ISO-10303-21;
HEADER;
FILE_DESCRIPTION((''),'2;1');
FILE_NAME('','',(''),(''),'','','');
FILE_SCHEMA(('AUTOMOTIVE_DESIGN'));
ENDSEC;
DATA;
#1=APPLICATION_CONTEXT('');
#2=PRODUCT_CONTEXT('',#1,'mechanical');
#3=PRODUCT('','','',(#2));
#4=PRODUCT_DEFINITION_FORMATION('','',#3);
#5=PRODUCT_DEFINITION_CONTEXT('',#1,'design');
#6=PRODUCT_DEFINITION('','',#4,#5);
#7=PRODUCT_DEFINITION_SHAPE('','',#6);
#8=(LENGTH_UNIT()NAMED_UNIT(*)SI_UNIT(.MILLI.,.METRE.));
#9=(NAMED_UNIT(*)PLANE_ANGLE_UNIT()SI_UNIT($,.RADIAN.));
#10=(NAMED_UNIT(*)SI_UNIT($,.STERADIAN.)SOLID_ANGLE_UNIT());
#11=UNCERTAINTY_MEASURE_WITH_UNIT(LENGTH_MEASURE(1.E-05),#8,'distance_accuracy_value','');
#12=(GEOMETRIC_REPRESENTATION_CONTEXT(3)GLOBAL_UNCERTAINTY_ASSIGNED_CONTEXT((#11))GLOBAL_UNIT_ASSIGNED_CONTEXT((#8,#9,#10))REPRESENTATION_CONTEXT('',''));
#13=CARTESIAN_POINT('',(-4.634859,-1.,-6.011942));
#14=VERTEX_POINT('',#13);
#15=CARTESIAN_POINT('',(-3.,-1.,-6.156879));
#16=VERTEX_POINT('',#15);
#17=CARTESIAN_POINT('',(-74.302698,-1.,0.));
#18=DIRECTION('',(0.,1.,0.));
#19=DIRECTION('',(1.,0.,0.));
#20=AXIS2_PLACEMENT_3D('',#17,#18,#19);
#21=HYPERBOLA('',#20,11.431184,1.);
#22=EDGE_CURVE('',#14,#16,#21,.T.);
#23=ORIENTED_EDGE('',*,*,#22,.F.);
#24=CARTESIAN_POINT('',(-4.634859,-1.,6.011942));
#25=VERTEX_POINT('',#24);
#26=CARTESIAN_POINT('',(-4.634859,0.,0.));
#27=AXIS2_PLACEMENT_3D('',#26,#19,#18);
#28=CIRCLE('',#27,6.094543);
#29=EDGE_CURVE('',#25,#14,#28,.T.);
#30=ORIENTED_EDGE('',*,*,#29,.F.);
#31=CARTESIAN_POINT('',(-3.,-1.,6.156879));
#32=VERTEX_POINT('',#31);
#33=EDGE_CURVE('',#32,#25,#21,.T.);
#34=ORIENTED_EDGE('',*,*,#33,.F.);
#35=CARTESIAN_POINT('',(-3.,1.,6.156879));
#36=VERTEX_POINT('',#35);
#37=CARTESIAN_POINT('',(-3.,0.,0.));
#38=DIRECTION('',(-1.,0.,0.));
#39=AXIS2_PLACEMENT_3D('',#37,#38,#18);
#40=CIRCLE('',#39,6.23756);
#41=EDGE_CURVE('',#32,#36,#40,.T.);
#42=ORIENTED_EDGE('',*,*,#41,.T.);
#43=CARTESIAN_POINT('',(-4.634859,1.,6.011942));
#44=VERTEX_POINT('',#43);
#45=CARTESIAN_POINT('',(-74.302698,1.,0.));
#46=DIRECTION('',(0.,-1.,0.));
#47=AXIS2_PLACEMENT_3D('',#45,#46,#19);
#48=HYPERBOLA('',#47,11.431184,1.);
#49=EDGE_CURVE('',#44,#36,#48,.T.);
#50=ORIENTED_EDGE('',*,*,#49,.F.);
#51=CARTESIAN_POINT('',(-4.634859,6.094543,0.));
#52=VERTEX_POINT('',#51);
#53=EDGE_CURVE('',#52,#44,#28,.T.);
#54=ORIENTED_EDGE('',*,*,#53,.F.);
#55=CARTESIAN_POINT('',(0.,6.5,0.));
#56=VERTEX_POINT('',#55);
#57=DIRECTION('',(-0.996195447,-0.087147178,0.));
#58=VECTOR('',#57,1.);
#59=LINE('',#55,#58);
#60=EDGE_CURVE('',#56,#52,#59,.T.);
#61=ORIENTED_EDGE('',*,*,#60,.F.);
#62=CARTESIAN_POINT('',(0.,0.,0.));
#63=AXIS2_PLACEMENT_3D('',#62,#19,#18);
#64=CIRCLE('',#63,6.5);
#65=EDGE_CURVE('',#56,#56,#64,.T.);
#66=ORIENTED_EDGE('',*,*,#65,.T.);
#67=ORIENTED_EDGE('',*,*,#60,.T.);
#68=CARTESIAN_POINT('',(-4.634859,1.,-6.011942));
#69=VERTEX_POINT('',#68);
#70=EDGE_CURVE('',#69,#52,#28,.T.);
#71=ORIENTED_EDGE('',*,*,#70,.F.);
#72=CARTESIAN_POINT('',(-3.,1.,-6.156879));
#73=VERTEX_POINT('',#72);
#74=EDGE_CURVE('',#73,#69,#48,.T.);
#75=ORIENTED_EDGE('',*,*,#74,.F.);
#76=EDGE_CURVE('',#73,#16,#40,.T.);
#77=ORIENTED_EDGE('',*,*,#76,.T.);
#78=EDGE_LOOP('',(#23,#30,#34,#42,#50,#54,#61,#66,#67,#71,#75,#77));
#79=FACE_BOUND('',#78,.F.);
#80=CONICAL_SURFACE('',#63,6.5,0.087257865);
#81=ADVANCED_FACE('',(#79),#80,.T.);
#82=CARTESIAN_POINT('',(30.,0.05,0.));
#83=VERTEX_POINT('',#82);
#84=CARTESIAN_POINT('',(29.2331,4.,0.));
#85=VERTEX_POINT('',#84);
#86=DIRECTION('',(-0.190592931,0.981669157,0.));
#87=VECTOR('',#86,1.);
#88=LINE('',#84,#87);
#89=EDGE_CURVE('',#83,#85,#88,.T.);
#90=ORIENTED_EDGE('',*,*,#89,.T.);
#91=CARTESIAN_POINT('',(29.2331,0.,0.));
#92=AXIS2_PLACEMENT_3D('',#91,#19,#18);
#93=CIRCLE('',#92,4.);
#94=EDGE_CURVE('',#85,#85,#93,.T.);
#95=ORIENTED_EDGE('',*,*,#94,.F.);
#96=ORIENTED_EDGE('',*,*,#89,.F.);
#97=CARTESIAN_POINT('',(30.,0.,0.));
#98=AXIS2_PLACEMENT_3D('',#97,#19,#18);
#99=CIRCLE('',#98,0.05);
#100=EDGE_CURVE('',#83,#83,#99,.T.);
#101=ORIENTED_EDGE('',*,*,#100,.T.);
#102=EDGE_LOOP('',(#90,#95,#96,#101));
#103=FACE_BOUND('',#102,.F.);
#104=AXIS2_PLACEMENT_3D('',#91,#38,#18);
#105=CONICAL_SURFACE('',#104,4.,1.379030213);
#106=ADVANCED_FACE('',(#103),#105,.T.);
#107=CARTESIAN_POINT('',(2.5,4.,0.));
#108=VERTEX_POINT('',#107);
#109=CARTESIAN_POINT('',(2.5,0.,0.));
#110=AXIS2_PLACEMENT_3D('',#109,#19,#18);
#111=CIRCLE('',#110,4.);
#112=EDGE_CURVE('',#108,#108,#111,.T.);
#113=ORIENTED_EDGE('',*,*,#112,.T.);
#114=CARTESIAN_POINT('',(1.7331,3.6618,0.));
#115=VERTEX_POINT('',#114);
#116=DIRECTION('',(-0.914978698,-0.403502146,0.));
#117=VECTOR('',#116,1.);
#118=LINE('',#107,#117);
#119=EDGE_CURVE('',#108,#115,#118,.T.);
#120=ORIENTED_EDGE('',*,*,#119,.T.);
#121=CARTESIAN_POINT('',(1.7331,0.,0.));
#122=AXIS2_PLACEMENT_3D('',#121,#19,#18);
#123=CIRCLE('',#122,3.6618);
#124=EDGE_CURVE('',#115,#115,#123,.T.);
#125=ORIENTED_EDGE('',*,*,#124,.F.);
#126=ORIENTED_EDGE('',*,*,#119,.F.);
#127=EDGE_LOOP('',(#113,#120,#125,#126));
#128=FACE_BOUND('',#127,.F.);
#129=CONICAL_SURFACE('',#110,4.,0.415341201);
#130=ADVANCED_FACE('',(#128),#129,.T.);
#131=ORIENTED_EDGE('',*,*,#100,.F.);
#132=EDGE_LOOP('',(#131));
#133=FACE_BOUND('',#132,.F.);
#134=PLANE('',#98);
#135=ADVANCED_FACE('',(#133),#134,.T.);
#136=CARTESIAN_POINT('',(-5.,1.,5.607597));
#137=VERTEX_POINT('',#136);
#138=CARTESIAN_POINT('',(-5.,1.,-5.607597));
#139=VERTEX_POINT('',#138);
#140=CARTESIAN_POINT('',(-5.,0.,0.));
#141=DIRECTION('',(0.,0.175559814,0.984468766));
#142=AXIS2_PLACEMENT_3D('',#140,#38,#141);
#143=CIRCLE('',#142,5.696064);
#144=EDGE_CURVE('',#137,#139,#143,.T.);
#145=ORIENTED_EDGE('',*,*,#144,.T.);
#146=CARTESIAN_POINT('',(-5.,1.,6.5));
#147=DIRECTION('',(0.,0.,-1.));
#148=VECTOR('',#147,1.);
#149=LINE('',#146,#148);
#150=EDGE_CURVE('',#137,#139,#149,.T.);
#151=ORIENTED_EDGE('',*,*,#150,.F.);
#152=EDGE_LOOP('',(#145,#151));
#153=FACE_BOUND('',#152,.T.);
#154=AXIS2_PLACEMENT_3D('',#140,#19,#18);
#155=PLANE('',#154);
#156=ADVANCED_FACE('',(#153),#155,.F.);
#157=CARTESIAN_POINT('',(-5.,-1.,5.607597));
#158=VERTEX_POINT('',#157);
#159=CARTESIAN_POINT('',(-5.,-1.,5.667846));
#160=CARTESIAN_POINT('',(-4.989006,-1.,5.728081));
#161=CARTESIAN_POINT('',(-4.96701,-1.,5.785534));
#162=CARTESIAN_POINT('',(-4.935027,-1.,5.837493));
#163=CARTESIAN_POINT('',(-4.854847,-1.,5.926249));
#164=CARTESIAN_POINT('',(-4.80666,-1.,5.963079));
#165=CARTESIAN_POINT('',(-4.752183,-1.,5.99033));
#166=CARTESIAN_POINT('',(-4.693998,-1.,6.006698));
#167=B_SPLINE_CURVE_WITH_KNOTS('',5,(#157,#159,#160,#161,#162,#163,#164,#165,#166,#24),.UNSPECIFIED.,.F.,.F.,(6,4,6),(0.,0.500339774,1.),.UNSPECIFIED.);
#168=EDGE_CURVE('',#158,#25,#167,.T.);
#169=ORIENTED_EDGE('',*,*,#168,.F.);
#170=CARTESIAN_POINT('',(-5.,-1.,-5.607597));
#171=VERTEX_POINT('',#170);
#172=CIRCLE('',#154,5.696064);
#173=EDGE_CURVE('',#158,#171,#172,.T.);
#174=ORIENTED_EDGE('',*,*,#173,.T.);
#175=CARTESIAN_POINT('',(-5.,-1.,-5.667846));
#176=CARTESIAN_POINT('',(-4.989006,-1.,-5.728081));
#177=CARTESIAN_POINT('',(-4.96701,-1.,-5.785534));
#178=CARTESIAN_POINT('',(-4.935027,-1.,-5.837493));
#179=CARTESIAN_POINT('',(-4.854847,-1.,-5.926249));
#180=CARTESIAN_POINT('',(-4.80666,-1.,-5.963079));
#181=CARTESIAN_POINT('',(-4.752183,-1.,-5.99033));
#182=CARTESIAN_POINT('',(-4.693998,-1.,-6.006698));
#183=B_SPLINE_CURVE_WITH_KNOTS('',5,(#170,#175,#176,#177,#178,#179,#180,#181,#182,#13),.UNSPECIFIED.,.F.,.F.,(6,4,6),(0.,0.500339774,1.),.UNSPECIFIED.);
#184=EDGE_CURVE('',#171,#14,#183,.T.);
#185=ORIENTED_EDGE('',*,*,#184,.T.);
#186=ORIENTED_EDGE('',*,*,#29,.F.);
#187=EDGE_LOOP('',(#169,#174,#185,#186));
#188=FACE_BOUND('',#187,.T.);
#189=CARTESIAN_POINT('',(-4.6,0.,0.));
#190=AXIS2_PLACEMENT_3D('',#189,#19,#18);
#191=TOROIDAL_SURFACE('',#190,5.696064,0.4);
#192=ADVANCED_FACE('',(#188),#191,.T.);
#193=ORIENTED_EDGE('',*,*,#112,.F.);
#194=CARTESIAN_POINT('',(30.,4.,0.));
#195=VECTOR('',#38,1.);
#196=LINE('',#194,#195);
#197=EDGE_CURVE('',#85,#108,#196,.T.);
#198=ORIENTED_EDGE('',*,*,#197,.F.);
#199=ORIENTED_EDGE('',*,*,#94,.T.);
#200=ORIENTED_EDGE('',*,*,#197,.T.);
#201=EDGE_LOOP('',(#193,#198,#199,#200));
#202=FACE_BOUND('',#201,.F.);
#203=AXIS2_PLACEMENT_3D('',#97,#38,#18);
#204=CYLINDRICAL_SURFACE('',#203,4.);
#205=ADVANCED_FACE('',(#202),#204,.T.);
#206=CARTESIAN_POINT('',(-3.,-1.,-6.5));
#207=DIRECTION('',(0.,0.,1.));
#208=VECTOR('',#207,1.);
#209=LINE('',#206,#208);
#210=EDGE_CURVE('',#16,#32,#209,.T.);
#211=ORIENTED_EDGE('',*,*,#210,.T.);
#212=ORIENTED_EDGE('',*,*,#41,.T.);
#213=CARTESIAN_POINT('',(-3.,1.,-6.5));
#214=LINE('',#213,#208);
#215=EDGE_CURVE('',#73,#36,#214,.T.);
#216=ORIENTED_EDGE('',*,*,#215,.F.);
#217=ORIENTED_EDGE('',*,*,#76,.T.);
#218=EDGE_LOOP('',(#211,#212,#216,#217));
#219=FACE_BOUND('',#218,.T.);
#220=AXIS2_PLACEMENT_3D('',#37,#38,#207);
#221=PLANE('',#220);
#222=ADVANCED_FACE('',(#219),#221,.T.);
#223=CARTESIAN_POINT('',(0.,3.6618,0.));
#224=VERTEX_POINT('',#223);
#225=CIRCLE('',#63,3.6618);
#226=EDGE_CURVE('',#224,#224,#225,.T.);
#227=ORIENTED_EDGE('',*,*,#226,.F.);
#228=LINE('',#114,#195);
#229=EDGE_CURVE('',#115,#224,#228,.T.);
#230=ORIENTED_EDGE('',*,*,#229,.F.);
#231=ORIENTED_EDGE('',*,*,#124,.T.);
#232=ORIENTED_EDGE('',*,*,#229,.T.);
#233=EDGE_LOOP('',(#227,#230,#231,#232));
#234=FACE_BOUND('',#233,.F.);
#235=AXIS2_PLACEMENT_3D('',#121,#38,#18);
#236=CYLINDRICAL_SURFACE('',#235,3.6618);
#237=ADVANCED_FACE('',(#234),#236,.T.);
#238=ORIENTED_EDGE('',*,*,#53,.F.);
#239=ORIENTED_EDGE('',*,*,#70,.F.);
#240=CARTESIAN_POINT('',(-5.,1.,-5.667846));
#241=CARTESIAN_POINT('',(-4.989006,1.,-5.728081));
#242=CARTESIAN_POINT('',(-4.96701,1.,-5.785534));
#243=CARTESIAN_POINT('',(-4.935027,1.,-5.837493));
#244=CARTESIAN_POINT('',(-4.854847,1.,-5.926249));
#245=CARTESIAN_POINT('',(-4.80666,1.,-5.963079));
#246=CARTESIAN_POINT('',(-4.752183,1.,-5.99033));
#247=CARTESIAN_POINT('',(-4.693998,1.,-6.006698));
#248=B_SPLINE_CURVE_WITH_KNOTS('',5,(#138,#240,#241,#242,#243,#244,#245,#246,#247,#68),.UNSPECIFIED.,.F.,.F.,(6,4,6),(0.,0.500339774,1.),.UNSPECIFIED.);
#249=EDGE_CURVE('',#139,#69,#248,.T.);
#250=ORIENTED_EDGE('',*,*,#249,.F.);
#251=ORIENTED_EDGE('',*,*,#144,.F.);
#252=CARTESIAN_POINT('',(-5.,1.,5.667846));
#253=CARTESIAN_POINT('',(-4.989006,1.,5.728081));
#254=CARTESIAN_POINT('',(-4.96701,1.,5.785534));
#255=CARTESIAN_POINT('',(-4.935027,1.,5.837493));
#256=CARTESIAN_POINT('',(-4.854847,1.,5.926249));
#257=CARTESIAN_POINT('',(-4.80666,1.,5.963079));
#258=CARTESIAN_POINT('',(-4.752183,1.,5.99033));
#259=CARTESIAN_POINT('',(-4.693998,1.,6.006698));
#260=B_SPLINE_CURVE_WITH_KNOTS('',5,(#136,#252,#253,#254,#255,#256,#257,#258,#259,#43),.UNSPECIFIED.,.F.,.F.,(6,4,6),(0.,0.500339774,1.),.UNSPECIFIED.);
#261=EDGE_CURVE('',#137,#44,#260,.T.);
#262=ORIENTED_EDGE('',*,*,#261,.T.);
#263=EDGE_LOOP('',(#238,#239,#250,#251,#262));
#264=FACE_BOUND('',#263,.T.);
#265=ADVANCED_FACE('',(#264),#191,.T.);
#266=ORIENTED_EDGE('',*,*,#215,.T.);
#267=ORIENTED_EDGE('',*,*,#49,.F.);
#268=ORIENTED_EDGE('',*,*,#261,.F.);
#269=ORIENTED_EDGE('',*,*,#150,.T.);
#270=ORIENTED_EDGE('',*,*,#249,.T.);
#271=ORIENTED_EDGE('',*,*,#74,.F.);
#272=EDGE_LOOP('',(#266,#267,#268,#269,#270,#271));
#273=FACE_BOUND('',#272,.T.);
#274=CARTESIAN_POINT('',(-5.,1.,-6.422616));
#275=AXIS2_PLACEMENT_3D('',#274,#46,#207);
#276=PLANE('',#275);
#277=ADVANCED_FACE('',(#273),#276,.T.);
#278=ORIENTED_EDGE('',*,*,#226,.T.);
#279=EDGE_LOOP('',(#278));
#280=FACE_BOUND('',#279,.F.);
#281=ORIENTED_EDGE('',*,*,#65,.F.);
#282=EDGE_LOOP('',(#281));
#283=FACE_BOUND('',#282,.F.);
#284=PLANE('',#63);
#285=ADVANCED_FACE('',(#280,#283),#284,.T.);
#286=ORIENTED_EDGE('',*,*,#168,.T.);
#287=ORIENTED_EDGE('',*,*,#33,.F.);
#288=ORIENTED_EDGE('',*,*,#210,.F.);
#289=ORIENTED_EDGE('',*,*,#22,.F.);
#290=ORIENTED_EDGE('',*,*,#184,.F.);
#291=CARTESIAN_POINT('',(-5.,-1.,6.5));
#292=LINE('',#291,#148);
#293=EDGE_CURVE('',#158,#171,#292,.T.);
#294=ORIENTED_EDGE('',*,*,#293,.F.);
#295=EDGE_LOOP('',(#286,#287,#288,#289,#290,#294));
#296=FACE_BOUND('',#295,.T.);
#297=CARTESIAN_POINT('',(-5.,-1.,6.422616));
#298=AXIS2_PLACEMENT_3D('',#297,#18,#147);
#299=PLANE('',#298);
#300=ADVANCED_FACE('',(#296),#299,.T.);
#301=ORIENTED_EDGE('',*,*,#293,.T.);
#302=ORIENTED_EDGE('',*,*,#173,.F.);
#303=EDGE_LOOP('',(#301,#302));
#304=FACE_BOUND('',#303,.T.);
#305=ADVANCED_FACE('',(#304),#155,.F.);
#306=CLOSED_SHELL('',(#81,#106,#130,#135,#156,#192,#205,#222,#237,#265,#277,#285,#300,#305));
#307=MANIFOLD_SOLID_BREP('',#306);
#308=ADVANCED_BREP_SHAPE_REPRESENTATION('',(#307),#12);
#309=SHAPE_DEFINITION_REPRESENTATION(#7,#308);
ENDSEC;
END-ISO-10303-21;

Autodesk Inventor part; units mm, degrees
ref_plane "YZ Plane" through (0, 0, 0) normal (1, 0, 0) x (0, 1, 0)
ref_plane "XZ Plane" through (0, 0, 0) normal (0, 1, 0) x (-1, 0, 0)
sketch "Schizzo1" plane through (0, 0, 0) normal (0, 0, 1) x (1, 0, 0)
  line L0 (-5, 0) -> (30, 0)
  line L1 (30, 0) -> (30, 4)
  line L2 (30, 4) -> (2.5, 4)
  line L3 (2.5, 4) -> (1.7331, 3.6618)
  line L4 (1.7331, 3.6618) -> (0, 3.6618)
  line L5 (0, 3.6618) -> (0, 6.5)
  line L6 (-12, 0) -> (37, 0) projected
  line L7 (0, -1.3) -> (0, 7.8) projected
  line L8 (-5, 0) -> (-5, 6.0626)
  line L9 (0, 6.5) -> (-5, 6.0626)
  line L10 (2.5, 4) -> (0, 4) construction
  dimension "d0" = 30
  dimension "d1" = 27.5
  dimension "d2" = 0.7669
  dimension "d3" = 5
  dimension "d4" = 8
  dimension "d5" = 7.3235
  dimension "d9" = 13
  dimension "d10" = 5
revolve "Corpo" add sketch "Schizzo1" angle 360 about axis through (-5, 0, 0) along (1, 0, 0)
sketch "Schizzo2" plane through (-5, 0, 0) normal (-1, 0, 0) x (0, 0, 1)
  circle A0 centre (0, 0) radius 6.5 projected
  line L0 (0, 0) -> (0, 6.0626) projected
  line L1 (-6.5, 1) -> (6.5, 1)
  line L2 (6.5, 1) -> (6.5, -1)
  line L3 (6.5, -1) -> (-6.5, -1)
  line L4 (-6.5, -1) -> (-6.5, 1)
  line L5 (-6.5, 0) -> (6.5, 0) construction
  line L6 (0, 1) -> (0, -1) construction
  dimension "d11" = 2
  dimension "d12" = 13
fillet "Raccordo1" radius 0.4 1 edges at (-5, -6.0626, 0)
extrude "Intaglio" cut sketch "Schizzo2" against normal blind 2 contours A0 L3 L1 | L2 L3 A0 | A0 L1 L2 | A0 L4 L1 | L3 L4 A0
thread "Filettatura" size "M8x1.25" class "6g" standard "ISO Metric profile" length 27.5
chamfer "Smusso1" distance 3.95 distance2 0.7669 1 edges at (30, -4, 0) measured on face at (30, 0.998, 0.8842)
ref_plane "Work Plane1" through (30.1625, 0, 0) normal (0, 0, -1) x (1, 0, 0)
equation "\"d11\" = SBR"
equation "\"d12\" = KOD"
equation "\"d14\" = RR"
equation "\"d19\" = STI"
equation "\"d15\" = GEL"
equation "\"d17\" = -0.5 * SPD + 0.5 * GD"
equation "\"d0\" = NLG"
equation "\"d1\" = GEL"
equation "\"d3\" = KOH"
equation "\"d4\" = GD"
equation "\"d5\" = BDM"
equation "\"d9\" = KOD"
equation "\"d10\" = KEWI"
equation "\"GD\" = NND"
equation "\"NLG\" = 30"
equation "\"GEL\" = 27.5"
equation "\"KOD\" = 13"
equation "\"KOH\" = 5"
equation "\"GAL\" = 0.61345 * PTC"
equation "\"SPD\" = 0.1"
equation "\"BDM\" = 7.3235"
equation "\"GUL\" = 0.61345 * PTC"
equation "\"RR\" = 0.4"
equation "\"SBR\" = 2"
equation "\"STI\" = 2"
equation "\"KEWI\" = 5deg"
equation "\"THREADDIA\" = 8"
equation "\"TOA\" = 30deg"
equation "\"PTC\" = 1.25"
equation "\"NND\" = 8"
equation "\"GD1\" = THREADDIA - 1.2269 * PTC"
properties part number "IS 1366 - M8 x 30" material "Acciaio, Dolce"
